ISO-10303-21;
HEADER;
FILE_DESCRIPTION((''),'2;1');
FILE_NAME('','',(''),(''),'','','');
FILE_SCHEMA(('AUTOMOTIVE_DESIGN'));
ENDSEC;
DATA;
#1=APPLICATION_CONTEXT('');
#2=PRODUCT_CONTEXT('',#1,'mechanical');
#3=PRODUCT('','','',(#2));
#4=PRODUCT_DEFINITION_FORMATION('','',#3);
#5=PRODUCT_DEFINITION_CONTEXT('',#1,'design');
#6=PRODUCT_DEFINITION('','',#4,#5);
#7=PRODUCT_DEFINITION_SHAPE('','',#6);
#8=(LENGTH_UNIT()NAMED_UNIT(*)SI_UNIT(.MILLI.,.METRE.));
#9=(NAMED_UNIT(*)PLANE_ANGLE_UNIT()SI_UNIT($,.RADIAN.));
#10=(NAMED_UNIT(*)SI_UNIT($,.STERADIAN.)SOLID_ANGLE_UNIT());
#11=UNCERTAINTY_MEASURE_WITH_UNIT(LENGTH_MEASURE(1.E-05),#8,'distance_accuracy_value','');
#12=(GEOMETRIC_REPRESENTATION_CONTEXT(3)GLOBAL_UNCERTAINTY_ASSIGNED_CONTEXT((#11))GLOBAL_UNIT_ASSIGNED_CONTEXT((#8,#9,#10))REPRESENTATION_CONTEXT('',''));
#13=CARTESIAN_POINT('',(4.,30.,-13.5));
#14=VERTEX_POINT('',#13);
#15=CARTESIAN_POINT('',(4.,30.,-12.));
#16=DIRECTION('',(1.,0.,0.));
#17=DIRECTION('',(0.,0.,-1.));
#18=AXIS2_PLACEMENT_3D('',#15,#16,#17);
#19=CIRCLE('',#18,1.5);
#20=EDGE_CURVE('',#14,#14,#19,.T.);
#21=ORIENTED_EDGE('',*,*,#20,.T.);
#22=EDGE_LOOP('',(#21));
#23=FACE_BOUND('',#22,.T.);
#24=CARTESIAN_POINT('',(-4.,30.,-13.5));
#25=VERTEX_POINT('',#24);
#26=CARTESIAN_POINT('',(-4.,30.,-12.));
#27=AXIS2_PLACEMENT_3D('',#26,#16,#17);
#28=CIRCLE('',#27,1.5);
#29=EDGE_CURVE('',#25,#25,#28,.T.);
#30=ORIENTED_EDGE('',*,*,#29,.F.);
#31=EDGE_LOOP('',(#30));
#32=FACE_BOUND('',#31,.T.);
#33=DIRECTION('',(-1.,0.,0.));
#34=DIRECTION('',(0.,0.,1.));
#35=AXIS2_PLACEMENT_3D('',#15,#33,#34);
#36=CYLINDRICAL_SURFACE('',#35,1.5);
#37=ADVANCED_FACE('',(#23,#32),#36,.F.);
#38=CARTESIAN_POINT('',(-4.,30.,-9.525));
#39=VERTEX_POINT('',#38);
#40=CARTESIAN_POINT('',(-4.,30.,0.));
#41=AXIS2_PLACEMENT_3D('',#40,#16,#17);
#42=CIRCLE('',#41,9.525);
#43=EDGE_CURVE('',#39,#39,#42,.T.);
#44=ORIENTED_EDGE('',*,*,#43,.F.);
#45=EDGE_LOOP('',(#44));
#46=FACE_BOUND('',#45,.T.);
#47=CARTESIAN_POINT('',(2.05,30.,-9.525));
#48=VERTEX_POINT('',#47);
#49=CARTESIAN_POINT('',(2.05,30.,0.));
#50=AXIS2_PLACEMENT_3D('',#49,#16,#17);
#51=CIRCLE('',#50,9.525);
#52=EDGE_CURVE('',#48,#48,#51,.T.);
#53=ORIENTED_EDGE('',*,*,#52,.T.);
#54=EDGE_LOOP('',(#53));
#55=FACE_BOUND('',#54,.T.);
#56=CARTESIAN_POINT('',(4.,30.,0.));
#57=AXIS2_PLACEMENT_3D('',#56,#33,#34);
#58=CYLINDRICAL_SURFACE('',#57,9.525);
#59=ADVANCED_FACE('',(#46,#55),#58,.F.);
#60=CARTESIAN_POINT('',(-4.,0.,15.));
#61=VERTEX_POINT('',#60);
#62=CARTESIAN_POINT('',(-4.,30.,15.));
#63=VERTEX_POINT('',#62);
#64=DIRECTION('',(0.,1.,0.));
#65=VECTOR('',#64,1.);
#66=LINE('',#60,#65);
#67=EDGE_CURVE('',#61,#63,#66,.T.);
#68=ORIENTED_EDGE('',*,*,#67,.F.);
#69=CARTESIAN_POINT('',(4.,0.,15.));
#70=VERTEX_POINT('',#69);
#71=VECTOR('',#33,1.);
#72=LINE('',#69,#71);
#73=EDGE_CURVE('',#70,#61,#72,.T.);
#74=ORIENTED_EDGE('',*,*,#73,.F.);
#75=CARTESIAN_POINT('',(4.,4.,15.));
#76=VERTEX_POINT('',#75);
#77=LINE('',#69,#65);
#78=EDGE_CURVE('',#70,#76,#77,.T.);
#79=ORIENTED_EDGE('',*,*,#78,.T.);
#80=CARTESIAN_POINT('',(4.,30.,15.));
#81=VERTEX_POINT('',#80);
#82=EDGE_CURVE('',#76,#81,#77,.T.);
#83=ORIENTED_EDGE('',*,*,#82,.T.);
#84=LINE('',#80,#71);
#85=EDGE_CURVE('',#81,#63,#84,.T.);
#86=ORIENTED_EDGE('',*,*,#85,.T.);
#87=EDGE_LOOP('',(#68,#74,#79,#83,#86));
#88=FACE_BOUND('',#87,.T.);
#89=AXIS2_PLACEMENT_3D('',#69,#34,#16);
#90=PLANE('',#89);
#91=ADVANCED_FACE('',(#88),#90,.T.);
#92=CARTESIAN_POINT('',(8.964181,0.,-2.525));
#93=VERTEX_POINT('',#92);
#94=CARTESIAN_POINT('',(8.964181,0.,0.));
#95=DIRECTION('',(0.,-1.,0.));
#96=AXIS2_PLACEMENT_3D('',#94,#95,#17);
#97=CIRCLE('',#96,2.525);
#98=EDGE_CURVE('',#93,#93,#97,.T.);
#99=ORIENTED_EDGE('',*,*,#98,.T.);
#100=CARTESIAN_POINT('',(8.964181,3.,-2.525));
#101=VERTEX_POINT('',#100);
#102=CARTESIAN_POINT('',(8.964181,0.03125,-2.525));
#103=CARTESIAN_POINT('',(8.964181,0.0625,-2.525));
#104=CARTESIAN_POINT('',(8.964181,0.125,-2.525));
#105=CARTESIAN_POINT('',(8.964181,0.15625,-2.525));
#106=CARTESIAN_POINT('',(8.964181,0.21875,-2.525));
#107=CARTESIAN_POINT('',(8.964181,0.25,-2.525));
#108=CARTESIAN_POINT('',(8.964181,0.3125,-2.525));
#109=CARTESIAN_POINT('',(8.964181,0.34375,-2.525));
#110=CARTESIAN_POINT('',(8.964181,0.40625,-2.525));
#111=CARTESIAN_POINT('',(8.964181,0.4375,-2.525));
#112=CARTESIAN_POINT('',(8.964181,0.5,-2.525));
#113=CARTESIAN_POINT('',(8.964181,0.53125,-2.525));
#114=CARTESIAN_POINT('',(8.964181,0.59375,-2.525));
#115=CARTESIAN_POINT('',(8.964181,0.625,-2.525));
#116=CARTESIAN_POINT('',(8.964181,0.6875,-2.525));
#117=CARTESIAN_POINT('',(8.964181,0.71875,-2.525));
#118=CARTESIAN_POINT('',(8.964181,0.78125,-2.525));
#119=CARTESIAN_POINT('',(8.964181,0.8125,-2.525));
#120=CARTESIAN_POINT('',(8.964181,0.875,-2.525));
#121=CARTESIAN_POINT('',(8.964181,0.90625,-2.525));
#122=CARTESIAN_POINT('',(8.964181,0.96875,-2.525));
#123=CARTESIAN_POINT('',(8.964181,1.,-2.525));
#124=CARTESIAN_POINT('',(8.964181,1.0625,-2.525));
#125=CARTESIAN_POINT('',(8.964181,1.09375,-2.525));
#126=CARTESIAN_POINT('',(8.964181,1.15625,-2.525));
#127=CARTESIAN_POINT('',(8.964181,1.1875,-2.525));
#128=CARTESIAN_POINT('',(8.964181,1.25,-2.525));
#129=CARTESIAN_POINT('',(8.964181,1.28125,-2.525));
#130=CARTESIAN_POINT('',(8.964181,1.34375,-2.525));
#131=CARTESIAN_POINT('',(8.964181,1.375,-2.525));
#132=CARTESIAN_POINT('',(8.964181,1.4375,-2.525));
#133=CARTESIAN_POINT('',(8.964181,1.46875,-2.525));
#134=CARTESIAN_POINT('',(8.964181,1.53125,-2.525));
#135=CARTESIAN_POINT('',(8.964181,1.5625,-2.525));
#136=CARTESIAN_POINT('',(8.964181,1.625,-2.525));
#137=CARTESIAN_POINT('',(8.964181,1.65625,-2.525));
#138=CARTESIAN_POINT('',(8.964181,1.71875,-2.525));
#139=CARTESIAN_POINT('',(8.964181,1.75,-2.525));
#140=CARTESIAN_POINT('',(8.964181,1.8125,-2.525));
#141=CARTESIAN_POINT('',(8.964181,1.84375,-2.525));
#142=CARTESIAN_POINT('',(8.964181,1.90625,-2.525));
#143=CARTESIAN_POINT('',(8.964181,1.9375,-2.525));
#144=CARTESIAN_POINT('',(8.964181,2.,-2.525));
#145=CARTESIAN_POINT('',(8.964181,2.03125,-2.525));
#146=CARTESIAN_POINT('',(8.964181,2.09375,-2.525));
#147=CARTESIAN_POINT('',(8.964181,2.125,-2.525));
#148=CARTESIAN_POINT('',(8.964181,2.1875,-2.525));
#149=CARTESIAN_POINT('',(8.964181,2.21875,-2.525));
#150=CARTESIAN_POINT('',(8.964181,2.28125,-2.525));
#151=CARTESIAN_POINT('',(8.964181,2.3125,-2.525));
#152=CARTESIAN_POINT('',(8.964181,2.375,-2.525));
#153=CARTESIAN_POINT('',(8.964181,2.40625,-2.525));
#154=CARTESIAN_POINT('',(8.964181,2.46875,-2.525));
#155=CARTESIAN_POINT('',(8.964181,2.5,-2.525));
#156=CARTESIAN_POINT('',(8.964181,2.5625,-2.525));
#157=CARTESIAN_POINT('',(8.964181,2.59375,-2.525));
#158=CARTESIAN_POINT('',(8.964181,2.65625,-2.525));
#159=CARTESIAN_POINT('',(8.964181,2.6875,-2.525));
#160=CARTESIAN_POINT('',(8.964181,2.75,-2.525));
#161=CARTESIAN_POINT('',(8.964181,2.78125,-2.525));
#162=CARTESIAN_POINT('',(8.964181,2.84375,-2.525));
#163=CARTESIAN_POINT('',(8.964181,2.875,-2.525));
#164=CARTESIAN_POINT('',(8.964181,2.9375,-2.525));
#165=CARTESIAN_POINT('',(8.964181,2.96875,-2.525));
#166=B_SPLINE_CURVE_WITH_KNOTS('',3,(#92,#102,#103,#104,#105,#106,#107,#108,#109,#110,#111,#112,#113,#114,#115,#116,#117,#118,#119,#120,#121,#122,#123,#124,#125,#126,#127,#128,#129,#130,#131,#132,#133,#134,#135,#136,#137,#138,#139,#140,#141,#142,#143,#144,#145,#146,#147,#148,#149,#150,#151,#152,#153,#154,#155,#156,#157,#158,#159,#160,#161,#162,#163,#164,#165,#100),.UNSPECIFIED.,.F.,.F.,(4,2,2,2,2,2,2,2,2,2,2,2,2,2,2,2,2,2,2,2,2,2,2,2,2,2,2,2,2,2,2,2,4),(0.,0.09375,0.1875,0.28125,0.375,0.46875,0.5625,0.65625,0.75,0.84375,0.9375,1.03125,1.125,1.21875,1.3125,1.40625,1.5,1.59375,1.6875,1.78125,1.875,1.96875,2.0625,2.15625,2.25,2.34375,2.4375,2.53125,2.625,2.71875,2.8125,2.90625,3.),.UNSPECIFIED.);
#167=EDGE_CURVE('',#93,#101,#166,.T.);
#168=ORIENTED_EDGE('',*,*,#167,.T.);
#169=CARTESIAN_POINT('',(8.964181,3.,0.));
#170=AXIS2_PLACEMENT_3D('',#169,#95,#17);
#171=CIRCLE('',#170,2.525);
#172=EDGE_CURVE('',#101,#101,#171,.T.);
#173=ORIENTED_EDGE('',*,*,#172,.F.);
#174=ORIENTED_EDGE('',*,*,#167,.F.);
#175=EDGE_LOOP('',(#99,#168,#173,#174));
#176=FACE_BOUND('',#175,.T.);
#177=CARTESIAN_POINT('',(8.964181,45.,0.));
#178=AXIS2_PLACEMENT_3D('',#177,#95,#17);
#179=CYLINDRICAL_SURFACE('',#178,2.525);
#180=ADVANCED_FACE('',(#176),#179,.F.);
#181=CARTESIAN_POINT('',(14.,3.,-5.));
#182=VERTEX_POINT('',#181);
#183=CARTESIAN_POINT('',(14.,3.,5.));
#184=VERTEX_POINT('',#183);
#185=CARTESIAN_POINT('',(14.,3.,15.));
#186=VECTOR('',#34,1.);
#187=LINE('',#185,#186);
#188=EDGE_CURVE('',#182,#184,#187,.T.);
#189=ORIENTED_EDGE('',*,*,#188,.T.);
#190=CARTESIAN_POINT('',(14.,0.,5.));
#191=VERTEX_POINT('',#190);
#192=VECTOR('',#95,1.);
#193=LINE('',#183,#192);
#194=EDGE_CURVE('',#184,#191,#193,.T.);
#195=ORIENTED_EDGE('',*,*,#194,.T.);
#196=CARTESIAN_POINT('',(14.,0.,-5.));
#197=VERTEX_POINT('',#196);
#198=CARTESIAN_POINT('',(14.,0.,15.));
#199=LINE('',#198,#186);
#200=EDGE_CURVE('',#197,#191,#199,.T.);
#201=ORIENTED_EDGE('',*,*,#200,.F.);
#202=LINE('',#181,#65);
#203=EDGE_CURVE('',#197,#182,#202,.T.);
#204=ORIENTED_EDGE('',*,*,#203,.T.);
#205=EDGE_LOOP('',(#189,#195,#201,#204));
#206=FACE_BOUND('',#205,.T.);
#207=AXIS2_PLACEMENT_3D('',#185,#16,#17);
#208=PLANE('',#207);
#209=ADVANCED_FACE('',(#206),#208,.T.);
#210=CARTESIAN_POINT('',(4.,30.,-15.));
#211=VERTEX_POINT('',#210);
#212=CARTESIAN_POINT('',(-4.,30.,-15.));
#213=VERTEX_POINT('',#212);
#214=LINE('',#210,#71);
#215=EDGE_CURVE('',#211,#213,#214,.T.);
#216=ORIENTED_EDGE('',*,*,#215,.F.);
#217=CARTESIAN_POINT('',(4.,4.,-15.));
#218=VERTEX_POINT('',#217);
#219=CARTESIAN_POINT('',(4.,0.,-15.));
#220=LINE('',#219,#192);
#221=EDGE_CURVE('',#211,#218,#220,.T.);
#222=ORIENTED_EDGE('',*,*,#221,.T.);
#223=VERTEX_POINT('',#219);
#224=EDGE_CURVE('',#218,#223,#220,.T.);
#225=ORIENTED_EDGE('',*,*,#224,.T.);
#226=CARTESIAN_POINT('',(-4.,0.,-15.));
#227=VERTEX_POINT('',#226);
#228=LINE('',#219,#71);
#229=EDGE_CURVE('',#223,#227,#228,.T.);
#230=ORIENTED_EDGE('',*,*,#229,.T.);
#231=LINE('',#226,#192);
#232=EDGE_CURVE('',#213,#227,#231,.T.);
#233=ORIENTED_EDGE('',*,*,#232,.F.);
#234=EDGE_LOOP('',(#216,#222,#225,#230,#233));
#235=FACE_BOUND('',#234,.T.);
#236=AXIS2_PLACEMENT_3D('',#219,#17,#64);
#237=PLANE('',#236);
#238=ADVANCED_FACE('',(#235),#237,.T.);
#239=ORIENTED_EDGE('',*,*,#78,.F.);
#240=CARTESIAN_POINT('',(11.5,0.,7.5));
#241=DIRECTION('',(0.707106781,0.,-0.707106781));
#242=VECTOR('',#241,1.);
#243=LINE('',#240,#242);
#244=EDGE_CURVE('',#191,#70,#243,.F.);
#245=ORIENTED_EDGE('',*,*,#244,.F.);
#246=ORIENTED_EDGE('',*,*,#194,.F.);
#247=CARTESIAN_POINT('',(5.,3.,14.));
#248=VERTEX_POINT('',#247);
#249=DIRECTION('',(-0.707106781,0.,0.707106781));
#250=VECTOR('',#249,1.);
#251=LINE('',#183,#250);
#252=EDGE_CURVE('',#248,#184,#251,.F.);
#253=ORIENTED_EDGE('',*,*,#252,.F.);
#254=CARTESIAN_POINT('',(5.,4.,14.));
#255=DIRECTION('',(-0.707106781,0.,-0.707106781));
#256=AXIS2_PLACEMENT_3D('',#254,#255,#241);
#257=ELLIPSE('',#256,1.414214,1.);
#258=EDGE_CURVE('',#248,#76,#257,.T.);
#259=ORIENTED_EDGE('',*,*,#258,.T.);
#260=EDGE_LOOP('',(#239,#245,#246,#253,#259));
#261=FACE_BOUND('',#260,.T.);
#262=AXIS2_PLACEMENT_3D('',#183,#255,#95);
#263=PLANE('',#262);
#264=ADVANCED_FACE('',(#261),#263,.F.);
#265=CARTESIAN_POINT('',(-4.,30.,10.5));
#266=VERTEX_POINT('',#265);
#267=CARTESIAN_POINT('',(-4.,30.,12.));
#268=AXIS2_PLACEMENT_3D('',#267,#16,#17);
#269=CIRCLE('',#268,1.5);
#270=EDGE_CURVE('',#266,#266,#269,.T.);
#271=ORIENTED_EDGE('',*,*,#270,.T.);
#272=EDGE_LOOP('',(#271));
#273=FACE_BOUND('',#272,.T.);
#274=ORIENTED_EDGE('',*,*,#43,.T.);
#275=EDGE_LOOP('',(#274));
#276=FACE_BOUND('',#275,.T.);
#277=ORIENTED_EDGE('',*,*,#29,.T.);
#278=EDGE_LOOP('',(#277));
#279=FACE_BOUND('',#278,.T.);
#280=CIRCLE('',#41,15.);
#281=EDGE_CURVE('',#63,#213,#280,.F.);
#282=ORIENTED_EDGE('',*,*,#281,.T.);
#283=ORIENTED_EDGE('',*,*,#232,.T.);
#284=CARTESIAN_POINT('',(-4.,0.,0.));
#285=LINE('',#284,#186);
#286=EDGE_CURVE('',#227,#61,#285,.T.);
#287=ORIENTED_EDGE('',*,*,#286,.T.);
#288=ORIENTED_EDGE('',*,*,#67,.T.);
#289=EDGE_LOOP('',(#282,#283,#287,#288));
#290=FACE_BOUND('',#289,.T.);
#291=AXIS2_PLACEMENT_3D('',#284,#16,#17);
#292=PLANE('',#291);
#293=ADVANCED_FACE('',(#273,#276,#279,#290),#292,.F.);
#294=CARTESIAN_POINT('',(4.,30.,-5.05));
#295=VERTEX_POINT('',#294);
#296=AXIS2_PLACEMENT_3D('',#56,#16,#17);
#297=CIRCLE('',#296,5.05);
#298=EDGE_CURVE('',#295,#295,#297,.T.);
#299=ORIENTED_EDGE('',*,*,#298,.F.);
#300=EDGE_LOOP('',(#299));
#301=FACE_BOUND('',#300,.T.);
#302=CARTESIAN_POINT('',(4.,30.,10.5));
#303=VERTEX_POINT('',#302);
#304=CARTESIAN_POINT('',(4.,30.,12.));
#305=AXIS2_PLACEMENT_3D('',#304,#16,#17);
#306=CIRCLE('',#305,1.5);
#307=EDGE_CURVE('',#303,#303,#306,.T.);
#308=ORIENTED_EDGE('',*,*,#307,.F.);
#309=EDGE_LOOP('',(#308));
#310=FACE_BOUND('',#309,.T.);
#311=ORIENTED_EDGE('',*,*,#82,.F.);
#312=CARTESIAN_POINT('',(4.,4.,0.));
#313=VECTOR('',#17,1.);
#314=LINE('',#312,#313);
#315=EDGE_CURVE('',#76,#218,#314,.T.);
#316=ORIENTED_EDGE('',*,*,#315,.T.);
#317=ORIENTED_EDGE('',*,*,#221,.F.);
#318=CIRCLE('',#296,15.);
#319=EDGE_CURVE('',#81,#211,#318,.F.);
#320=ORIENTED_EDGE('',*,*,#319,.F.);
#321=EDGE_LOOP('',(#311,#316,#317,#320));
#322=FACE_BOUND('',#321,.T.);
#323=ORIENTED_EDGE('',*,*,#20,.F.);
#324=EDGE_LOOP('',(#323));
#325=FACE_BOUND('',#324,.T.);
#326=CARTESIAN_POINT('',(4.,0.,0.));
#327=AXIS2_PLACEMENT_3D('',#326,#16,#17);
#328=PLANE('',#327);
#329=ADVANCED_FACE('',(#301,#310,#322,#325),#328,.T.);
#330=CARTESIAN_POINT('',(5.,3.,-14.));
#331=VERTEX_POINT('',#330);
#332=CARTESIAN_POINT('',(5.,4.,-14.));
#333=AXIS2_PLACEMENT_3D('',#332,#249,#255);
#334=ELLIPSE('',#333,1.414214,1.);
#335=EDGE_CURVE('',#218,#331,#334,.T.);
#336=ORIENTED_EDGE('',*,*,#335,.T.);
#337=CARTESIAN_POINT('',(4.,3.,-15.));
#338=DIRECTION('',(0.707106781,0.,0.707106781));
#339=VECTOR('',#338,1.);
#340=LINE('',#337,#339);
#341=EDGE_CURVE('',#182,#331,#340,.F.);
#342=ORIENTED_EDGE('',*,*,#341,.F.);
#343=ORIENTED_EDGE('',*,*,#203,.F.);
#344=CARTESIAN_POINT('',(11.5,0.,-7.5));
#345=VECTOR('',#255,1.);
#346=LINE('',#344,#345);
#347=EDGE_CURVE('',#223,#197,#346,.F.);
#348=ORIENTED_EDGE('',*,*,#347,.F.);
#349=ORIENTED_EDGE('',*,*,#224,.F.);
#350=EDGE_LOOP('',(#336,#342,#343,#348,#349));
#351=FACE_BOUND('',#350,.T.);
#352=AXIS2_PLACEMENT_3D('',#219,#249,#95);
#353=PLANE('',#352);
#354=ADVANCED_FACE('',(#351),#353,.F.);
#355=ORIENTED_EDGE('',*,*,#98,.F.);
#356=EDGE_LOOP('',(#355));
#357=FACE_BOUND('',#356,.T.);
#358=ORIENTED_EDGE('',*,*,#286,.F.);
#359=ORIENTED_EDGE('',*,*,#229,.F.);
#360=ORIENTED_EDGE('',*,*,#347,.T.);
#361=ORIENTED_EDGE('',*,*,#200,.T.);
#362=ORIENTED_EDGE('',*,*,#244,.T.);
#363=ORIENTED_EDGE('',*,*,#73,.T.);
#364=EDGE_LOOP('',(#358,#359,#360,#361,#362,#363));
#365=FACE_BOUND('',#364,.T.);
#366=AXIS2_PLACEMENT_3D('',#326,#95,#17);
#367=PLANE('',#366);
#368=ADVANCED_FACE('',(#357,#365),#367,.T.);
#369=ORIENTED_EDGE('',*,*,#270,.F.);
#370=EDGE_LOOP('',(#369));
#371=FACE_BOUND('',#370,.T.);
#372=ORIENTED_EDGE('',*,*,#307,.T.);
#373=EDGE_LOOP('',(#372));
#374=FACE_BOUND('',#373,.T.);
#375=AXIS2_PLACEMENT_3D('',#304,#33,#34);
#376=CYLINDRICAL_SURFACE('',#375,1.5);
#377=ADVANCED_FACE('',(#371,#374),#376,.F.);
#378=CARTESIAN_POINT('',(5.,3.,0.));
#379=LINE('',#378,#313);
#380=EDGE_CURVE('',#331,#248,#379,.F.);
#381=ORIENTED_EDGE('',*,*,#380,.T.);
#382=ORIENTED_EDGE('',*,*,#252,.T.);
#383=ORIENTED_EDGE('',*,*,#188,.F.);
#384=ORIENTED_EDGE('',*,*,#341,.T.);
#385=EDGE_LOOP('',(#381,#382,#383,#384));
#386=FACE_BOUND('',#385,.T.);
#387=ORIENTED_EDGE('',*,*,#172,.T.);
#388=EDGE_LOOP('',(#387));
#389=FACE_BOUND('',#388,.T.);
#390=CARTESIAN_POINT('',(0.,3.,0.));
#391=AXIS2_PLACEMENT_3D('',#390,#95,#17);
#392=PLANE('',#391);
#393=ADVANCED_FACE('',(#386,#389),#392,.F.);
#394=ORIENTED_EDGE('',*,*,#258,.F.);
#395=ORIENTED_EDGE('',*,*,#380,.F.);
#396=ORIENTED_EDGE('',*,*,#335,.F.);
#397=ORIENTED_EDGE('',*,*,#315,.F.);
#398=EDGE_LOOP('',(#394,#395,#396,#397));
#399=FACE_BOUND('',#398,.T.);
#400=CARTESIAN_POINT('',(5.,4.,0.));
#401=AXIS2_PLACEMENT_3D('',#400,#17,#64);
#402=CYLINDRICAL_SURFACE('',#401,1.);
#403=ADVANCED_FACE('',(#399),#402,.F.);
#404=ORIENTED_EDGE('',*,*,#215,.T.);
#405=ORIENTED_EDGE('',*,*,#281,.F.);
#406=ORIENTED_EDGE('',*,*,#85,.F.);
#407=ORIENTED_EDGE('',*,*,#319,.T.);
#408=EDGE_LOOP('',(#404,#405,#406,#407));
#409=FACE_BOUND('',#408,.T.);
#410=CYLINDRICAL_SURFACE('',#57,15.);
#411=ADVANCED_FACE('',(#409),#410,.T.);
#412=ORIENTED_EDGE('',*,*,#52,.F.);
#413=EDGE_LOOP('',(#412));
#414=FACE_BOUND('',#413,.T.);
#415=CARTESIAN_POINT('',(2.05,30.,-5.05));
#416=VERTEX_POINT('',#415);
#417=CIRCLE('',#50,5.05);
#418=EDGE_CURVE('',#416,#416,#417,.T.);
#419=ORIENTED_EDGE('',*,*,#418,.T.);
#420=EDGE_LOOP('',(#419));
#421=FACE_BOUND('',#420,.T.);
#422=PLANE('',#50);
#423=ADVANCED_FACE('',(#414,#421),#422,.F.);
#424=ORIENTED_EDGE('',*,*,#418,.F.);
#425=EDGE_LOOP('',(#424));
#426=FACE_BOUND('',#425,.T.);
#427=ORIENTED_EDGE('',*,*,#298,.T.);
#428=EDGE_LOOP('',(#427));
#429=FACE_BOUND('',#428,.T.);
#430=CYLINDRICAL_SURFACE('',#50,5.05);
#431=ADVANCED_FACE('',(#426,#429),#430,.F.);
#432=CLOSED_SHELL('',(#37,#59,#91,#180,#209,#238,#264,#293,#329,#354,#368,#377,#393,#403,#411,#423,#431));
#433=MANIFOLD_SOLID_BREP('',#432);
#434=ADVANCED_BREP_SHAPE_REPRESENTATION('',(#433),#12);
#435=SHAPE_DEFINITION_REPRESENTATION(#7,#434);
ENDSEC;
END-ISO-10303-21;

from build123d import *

# Parameters (mm, degrees)
SKETCH2_R           = 1.5
SKETCH2_R_2         = 9.525
BOSS_EXTRUDE1_DEPTH = 4
BOSS_EXTRUDE2_START = 2.05
SKETCH2_4_R         = 9.525
SKETCH2_4_R_2       = 5.05
BOSS_EXTRUDE2_DEPTH = 1.95
SKETCH3_W           = 10
SKETCH3_H           = 30
BOSS_EXTRUDE3_DEPTH = 3
SKETCH4_R           = 2.525
CUT_EXTRUDE1_DEPTH  = 50.457052076
CHAMFER1_SIZE       = 10
FILLET2_R           = 1


with BuildPart() as part:
    # Sketch2 → Boss-Extrude1 (new, symmetric)
    with BuildSketch(Plane(origin=(0, 0, 0), x_dir=(0, 0, -1), z_dir=(1, 0, 0))):
        with BuildLine():
            Line((15, 0), (15, 30))
            ThreePointArc((15, 30), (0, 45), (-15, 30))
            Line((-15, 30), (-15, 0))
            Line((-15, 0), (15, 0))
        make_face()
        with Locations((-12, 30)):
            Circle(SKETCH2_R, mode=Mode.SUBTRACT)
        with Locations((0, 30)):
            Circle(SKETCH2_R_2, mode=Mode.SUBTRACT)
        with Locations((12, 30)):
            Circle(SKETCH2_R, mode=Mode.SUBTRACT)
    extrude(amount=BOSS_EXTRUDE1_DEPTH, both=True)

    # Sketch2<4> → Boss-Extrude2 (add)
    with BuildSketch(Plane(origin=(0, 0, 0), x_dir=(0, 0, -1), z_dir=(1, 0, 0)).offset(BOSS_EXTRUDE2_START)):
        with Locations((0, 30)):
            Circle(SKETCH2_4_R)
        with Locations((0, 30)):
            Circle(SKETCH2_4_R_2, mode=Mode.SUBTRACT)
    extrude(amount=BOSS_EXTRUDE2_DEPTH)

    # Sketch3 → Boss-Extrude3 (add)
    with BuildSketch(Plane.XZ):
        with Locations((9, 0)):
            Rectangle(SKETCH3_W, SKETCH3_H)
    extrude(amount=-BOSS_EXTRUDE3_DEPTH)

    # Sketch4 → Cut-Extrude1 (cut, through all)
    with BuildSketch(Plane(origin=(0, 0, 0), x_dir=(-1, 0, 0), z_dir=(0, -1, 0))):
        with Locations(Location((-8.964181233, 0, 0), (0, 0, 90))):
            Circle(SKETCH4_R)
    extrude(amount=-CUT_EXTRUDE1_DEPTH, mode=Mode.SUBTRACT)

    # Chamfer1
    chamfer1_edges = [part.edges().sort_by_distance(p)[0] for p in [
        (14, 1.5, -15),
        (14, 1.5, 15),
    ]]
    chamfer(chamfer1_edges, length=CHAMFER1_SIZE)

    # Fillet2
    fillet2_edges = [part.edges().sort_by_distance(p)[0] for p in [
        (4, 3, 0),
    ]]
    fillet(fillet2_edges, radius=FILLET2_R)


solid = part.part
